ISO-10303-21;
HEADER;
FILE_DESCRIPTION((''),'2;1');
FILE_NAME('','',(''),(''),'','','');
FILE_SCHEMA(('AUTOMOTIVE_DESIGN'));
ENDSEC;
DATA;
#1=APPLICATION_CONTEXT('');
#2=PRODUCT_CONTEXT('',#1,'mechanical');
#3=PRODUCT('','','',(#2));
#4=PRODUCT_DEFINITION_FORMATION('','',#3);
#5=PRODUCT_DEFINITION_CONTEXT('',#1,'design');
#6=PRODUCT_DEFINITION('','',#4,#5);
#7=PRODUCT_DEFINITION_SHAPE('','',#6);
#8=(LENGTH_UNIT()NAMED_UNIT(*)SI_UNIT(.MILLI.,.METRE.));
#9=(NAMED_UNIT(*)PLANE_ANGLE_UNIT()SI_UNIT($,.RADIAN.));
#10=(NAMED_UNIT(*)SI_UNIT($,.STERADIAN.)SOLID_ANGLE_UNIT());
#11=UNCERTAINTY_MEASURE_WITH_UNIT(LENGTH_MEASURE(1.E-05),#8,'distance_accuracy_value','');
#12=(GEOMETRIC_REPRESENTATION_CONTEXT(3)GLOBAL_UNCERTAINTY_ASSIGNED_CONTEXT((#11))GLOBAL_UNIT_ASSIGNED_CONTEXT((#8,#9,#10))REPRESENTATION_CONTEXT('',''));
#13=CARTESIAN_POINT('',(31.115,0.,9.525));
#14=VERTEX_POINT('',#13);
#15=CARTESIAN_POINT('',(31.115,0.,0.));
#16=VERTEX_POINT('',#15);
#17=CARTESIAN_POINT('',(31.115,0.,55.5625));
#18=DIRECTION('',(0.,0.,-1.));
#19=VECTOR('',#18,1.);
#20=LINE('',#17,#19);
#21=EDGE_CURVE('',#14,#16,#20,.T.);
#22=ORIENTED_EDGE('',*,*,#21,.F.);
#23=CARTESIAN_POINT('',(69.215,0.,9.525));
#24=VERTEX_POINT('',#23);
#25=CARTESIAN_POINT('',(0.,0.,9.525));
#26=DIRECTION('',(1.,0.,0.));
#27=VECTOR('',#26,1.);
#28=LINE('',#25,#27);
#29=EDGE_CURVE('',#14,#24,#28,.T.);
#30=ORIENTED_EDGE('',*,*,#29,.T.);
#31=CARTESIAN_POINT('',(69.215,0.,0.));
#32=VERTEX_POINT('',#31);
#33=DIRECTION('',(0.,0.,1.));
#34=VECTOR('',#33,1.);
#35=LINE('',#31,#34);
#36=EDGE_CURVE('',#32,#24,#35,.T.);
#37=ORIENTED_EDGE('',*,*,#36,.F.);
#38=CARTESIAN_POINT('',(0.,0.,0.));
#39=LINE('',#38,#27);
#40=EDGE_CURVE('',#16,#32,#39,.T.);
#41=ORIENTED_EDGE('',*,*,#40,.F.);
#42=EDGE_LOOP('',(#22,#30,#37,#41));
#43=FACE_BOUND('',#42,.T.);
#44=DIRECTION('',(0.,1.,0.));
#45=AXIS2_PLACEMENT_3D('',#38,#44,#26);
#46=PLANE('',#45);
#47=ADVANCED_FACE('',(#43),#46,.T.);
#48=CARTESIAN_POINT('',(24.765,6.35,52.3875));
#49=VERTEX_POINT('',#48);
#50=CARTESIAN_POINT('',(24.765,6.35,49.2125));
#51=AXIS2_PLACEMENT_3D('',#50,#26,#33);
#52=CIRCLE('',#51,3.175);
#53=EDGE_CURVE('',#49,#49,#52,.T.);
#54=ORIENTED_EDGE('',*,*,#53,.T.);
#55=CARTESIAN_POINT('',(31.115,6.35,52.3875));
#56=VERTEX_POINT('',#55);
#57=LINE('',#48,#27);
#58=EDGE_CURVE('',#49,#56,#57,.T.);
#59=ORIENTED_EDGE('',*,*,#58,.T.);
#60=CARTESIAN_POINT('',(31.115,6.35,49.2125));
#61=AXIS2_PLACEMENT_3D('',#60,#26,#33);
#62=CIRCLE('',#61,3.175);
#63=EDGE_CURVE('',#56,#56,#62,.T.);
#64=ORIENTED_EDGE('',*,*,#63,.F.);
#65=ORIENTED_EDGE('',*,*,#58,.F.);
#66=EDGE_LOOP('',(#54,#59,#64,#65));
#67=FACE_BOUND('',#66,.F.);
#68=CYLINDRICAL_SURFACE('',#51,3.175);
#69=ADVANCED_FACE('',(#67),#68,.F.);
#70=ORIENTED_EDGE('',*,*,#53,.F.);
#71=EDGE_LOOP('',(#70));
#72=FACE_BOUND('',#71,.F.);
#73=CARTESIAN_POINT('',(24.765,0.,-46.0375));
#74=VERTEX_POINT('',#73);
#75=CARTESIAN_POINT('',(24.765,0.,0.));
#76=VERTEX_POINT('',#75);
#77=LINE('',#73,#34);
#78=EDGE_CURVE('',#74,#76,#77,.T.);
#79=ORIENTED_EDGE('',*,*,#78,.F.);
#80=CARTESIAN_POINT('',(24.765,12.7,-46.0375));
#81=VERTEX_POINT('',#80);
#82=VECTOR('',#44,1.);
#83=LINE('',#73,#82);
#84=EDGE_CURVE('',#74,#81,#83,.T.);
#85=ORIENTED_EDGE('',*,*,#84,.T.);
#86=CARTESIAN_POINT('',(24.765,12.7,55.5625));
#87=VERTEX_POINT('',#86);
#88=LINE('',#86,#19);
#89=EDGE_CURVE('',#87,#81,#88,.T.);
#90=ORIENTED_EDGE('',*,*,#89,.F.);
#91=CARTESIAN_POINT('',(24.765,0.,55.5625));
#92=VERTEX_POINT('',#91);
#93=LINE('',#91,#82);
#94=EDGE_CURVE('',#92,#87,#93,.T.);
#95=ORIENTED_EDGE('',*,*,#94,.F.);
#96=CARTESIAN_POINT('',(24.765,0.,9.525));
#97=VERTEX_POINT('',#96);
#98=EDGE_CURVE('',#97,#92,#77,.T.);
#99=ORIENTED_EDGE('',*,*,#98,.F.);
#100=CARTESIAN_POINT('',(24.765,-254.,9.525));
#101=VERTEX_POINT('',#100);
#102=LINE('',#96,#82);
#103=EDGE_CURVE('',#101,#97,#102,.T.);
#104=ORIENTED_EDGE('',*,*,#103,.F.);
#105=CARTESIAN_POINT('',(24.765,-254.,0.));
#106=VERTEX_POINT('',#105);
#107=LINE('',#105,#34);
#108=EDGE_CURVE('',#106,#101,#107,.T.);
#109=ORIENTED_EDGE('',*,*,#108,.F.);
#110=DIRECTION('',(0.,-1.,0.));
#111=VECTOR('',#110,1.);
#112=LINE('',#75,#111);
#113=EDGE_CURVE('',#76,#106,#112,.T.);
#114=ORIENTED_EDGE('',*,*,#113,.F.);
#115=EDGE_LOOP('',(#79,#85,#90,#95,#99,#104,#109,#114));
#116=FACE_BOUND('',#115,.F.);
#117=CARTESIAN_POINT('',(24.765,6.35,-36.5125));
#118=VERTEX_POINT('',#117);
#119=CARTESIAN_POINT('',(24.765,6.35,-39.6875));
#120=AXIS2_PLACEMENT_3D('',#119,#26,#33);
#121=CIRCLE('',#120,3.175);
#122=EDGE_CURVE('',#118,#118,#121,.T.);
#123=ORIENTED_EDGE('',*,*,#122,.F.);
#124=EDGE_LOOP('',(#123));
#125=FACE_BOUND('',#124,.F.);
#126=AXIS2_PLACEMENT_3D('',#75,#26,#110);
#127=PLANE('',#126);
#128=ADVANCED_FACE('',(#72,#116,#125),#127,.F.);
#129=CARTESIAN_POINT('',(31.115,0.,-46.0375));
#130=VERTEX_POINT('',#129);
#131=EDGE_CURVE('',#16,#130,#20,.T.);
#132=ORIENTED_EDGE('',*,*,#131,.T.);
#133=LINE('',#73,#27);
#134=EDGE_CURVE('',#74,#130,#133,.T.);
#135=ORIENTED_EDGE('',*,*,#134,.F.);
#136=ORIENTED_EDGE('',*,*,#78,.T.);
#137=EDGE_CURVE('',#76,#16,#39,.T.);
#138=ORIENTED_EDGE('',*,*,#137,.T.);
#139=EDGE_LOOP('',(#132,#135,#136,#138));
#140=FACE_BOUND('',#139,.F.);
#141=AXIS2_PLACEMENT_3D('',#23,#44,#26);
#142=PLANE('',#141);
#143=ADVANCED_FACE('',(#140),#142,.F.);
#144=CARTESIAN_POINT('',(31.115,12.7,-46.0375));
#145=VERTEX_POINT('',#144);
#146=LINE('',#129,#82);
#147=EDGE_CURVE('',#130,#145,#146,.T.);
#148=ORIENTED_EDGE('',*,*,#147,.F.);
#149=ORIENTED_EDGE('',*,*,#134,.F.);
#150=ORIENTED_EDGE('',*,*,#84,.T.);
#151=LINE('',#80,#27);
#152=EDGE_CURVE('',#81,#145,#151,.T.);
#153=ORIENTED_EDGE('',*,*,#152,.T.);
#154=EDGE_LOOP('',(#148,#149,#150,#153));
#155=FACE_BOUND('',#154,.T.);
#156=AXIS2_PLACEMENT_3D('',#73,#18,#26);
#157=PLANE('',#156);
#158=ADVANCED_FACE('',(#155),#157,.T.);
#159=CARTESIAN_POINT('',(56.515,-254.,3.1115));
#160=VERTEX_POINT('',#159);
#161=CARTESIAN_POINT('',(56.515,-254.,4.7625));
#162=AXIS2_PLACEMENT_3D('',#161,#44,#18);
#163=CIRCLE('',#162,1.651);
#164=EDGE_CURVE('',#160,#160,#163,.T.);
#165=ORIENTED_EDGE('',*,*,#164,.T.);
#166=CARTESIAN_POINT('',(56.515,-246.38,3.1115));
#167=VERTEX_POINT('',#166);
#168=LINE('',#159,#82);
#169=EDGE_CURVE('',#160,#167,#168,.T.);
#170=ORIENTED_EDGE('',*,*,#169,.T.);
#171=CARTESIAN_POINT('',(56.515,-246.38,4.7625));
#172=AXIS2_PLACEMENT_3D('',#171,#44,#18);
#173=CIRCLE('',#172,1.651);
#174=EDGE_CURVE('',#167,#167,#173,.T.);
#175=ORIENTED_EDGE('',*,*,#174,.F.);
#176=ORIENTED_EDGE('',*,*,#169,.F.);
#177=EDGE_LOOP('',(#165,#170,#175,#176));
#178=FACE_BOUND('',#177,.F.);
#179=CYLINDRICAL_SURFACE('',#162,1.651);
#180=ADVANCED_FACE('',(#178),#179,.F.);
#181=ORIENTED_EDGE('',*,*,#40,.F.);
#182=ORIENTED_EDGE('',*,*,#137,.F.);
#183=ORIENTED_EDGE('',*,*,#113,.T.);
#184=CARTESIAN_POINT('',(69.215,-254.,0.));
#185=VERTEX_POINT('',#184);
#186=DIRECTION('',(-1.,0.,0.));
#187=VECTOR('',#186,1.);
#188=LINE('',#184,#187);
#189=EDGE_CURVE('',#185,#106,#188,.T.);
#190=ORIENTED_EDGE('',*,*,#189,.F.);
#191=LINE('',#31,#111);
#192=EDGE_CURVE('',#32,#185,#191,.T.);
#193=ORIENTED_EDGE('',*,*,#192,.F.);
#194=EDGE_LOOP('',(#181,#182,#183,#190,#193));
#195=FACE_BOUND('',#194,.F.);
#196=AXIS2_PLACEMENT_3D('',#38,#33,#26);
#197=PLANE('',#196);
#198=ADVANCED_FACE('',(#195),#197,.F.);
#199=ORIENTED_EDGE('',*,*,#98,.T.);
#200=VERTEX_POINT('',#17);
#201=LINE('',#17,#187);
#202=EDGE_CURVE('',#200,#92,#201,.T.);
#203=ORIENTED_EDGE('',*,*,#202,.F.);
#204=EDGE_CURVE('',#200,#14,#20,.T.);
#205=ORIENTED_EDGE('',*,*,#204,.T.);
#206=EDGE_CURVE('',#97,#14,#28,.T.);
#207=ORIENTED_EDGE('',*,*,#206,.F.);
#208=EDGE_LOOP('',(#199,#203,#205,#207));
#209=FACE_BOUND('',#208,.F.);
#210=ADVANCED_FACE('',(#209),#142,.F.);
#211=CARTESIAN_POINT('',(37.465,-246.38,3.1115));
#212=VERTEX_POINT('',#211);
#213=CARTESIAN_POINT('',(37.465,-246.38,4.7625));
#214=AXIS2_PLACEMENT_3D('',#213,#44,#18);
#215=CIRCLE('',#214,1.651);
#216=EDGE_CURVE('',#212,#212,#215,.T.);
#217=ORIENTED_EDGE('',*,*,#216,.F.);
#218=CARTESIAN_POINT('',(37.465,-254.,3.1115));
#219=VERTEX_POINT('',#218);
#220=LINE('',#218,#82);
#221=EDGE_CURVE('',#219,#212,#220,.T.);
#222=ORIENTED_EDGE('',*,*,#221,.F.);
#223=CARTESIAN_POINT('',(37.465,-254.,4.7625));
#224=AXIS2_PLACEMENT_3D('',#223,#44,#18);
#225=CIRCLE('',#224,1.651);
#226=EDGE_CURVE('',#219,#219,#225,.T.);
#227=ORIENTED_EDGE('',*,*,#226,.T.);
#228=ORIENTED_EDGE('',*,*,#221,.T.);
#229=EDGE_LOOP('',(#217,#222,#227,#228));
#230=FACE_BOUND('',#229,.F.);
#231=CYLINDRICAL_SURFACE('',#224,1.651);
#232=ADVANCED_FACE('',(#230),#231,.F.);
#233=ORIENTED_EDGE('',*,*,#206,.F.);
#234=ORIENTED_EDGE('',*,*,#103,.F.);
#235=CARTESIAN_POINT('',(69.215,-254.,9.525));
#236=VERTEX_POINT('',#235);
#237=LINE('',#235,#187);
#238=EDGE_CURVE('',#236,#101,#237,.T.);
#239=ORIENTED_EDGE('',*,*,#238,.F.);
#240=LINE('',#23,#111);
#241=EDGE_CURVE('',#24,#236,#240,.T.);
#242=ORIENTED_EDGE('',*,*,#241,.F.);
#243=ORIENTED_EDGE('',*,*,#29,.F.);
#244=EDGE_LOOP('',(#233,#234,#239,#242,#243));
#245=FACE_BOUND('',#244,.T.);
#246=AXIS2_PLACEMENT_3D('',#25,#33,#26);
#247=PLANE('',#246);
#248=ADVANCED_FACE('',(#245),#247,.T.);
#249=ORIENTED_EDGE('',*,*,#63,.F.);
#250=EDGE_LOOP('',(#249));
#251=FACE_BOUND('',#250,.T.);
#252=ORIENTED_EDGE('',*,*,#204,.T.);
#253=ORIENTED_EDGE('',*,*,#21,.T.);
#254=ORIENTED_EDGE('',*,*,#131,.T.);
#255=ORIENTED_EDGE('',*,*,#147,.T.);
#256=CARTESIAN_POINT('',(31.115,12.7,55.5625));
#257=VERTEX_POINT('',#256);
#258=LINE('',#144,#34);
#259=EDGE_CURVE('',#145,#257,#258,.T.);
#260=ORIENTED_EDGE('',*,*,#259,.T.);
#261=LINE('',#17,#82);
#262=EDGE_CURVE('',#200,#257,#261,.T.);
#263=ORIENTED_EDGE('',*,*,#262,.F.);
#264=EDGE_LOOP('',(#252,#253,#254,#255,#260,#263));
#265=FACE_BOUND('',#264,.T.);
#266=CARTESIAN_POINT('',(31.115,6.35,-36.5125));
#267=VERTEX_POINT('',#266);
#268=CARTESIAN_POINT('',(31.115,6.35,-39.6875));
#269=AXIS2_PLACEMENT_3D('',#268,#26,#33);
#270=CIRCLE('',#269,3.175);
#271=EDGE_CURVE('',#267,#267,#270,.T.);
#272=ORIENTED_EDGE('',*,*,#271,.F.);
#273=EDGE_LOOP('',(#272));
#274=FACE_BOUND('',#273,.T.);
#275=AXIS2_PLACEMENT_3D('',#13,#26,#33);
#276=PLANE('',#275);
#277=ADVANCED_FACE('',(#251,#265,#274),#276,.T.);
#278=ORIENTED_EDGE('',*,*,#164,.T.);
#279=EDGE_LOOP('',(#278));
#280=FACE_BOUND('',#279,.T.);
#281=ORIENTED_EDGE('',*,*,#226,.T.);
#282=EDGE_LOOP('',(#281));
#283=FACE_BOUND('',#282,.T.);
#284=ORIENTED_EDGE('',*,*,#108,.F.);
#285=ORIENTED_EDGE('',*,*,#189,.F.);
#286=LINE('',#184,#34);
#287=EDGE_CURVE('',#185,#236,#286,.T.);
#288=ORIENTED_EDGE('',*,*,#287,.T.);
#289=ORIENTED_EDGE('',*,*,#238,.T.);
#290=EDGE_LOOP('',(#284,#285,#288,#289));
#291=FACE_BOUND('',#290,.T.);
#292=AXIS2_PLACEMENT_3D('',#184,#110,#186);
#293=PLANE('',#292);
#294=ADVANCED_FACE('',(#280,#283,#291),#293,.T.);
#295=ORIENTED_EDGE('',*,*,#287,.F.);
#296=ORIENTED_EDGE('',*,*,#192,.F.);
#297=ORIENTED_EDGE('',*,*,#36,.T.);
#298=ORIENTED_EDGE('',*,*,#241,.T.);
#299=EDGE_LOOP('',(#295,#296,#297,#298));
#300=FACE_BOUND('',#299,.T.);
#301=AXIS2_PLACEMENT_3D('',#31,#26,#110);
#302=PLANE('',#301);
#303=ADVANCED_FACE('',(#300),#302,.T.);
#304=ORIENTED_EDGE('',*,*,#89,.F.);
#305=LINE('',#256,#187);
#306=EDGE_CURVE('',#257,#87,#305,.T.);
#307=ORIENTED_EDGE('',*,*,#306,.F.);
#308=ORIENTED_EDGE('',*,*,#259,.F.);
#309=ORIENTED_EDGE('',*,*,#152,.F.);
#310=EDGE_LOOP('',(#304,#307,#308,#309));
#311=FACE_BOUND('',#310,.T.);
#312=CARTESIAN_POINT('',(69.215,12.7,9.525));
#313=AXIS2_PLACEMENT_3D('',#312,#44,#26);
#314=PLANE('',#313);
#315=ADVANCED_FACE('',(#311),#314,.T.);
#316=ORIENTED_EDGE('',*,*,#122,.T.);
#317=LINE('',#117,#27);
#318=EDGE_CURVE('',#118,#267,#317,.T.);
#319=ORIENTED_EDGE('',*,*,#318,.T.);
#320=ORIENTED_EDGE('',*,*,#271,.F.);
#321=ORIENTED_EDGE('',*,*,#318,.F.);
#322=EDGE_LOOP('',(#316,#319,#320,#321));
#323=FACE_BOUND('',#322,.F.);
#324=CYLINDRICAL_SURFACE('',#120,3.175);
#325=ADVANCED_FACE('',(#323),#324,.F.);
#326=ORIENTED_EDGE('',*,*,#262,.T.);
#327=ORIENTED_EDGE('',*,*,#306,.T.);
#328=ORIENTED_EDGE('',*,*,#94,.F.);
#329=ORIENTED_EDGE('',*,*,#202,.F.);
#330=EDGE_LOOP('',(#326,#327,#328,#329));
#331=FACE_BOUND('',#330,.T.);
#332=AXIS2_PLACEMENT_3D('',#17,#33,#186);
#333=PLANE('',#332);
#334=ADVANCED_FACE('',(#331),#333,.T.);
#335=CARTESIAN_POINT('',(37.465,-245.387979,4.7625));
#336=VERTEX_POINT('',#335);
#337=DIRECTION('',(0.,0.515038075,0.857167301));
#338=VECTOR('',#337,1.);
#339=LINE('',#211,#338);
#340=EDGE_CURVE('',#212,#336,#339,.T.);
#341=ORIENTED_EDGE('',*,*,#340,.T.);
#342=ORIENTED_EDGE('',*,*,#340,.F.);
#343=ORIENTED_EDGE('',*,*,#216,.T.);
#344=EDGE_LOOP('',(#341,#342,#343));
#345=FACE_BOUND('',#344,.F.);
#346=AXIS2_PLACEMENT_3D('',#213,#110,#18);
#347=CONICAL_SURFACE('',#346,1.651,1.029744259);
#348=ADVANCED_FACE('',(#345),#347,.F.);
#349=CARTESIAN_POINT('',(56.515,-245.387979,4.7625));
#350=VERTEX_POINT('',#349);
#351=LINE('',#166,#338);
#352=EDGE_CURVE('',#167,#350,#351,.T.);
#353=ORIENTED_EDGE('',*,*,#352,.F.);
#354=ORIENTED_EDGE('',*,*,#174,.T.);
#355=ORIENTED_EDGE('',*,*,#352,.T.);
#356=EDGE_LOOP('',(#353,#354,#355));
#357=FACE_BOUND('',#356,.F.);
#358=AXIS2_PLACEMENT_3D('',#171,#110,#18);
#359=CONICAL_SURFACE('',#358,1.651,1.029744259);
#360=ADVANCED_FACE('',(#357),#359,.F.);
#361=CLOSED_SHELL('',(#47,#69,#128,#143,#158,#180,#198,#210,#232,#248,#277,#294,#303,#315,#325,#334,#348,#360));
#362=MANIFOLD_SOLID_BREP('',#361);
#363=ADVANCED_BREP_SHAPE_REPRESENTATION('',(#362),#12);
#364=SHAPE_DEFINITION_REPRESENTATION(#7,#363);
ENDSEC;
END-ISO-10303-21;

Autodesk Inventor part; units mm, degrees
ref_plane "YZ Plane" through (0, 0, 0) normal (1, 0, 0) x (0, 1, 0)
ref_plane "XZ Plane" through (0, 0, 0) normal (0, 1, 0) x (-1, 0, 0)
ref_plane "XY Plane" through (0, 0, 0) normal (0, 0, 1) x (1, 0, 0)
sketch "Sketch1" plane through (0, 0, 0) normal (0, 0, 1) x (1, 0, 0)
  line L0 (0, 0) -> (69.215, 0)
  line L1 (69.215, 0) -> (69.215, -254)
  line L2 (69.215, -254) -> (0, -254)
  line L3 (0, -254) -> (0, 0)
  dimension "d0" = 69.215
  dimension "d1" = 254
extrude "Extrusion1" add sketch "Sketch1" along normal blind 9.525
sketch "Sketch4" plane through (0, 0, 0) normal (0, 0, -1) x (-1, 0, 0)
  line L0 (-69.215, -254) -> (0, -254) projected
  line L1 (0, 0) -> (-24.765, 0)
  line L2 (-24.765, 0) -> (-24.765, -254)
  line L3 (-24.765, -254) -> (0, -254)
  line L4 (0, -254) -> (0, 0)
  dimension "d11" = 24.765
extrude "Extrusion4" cut sketch "Sketch4" against normal blind 127
sketch "Sketch5" plane through (69.215, -254, 0) normal (0, -1, 0) x (1, 0, 0)
  point P0 (-69.215, 0)
sketch "Sketch9" plane through (69.215, -254, 0) normal (0, -1, 0) x (1, 0, 0)
  line L0 (-44.45, 9.525) -> (-44.45, 0) projected
  line L1 (0, 0) -> (0, 9.525) projected
  point P0 (-69.215, 0)
  point P1 (-12.7, 4.7625)
  point P2 (-31.75, 4.7625)
hole "Hole2" at (37.465, -254, 4.7625) at (56.515, -254, 4.7625) direction (0, 1, 0) diameter 3.302 depth 7.62 tip angle 118 thread size "8-32 UNC" class "2B" standard "ANSI Unified Screw Threads"
sketch "Sketch11" plane through (69.215, 0, 9.525) normal (0, 1, 0) x (1, 0, 0)
  line L0 (-38.1, -46.0375) -> (-44.45, -46.0375)
  line L1 (-44.45, -46.0375) -> (-44.45, 55.5625)
  line L2 (-44.45, 55.5625) -> (-38.1, 55.5625)
  line L3 (-38.1, 55.5625) -> (-38.1, -46.0375)
  line L4 (-44.45, 9.525) -> (-44.45, 0) projected
  line L5 (0, 0) -> (-44.45, 0) projected
  line L6 (0, 9.525) -> (0, 0) projected
  line L7 (-44.45, 9.525) -> (0, 9.525) projected
  point P0 (-69.215, 9.525)
  dimension "d41" = 6.35
  dimension "d42" = 101.6
  dimension "d44" = 9.525
  dimension "d45" = 46.0375
  dimension "d46" = 0
extrude "Extrusion7" add sketch "Sketch11" along normal blind 12.7 contours L0 L1 L5 L3 | L5 L1 L7 L3 | L7 L1 L2 L3
sketch "Sketch12" plane through (24.765, -254, 0) normal (-1, 0, 0) x (0, 0, 1)
  line L0 (9.525, 254) -> (9.525, 0) projected
  line L1 (55.5625, 254) -> (9.525, 254) projected
  line L2 (55.5625, 254) -> (55.5625, 266.7) projected
  line L3 (-46.0375, 266.7) -> (55.5625, 266.7) projected
  line L4 (-46.0375, 254) -> (-46.0375, 266.7) projected
  line L5 (0, 254) -> (-46.0375, 254) projected
  line L6 (0, 0) -> (0, 254) projected
  line L7 (9.525, 0) -> (0, 0) projected
  point P0 (-39.6875, 260.35)
  point P1 (49.2125, 260.35)
  dimension "d49" = 12.7
  dimension "d50" = 6.35
  dimension "d51" = 6.35
  dimension "d52" = 6.35
  dimension "d53" = 6.35
hole "Hole3" at (24.765, 6.35, -39.6875) at (24.765, 6.35, 49.2125) direction (1, 0, 0) diameter 6.35 depth 25.4 tip angle 118
equation "\"d45\" = -0.5 * d44 + 0.5 * d42"
equation "\"d50\" = 0.5 * d49"
equation "\"d51\" = d50"
equation "\"d52\" = d50"
equation "\"d53\" = d52"
properties part number "LeftSideTopPlateConnector"
